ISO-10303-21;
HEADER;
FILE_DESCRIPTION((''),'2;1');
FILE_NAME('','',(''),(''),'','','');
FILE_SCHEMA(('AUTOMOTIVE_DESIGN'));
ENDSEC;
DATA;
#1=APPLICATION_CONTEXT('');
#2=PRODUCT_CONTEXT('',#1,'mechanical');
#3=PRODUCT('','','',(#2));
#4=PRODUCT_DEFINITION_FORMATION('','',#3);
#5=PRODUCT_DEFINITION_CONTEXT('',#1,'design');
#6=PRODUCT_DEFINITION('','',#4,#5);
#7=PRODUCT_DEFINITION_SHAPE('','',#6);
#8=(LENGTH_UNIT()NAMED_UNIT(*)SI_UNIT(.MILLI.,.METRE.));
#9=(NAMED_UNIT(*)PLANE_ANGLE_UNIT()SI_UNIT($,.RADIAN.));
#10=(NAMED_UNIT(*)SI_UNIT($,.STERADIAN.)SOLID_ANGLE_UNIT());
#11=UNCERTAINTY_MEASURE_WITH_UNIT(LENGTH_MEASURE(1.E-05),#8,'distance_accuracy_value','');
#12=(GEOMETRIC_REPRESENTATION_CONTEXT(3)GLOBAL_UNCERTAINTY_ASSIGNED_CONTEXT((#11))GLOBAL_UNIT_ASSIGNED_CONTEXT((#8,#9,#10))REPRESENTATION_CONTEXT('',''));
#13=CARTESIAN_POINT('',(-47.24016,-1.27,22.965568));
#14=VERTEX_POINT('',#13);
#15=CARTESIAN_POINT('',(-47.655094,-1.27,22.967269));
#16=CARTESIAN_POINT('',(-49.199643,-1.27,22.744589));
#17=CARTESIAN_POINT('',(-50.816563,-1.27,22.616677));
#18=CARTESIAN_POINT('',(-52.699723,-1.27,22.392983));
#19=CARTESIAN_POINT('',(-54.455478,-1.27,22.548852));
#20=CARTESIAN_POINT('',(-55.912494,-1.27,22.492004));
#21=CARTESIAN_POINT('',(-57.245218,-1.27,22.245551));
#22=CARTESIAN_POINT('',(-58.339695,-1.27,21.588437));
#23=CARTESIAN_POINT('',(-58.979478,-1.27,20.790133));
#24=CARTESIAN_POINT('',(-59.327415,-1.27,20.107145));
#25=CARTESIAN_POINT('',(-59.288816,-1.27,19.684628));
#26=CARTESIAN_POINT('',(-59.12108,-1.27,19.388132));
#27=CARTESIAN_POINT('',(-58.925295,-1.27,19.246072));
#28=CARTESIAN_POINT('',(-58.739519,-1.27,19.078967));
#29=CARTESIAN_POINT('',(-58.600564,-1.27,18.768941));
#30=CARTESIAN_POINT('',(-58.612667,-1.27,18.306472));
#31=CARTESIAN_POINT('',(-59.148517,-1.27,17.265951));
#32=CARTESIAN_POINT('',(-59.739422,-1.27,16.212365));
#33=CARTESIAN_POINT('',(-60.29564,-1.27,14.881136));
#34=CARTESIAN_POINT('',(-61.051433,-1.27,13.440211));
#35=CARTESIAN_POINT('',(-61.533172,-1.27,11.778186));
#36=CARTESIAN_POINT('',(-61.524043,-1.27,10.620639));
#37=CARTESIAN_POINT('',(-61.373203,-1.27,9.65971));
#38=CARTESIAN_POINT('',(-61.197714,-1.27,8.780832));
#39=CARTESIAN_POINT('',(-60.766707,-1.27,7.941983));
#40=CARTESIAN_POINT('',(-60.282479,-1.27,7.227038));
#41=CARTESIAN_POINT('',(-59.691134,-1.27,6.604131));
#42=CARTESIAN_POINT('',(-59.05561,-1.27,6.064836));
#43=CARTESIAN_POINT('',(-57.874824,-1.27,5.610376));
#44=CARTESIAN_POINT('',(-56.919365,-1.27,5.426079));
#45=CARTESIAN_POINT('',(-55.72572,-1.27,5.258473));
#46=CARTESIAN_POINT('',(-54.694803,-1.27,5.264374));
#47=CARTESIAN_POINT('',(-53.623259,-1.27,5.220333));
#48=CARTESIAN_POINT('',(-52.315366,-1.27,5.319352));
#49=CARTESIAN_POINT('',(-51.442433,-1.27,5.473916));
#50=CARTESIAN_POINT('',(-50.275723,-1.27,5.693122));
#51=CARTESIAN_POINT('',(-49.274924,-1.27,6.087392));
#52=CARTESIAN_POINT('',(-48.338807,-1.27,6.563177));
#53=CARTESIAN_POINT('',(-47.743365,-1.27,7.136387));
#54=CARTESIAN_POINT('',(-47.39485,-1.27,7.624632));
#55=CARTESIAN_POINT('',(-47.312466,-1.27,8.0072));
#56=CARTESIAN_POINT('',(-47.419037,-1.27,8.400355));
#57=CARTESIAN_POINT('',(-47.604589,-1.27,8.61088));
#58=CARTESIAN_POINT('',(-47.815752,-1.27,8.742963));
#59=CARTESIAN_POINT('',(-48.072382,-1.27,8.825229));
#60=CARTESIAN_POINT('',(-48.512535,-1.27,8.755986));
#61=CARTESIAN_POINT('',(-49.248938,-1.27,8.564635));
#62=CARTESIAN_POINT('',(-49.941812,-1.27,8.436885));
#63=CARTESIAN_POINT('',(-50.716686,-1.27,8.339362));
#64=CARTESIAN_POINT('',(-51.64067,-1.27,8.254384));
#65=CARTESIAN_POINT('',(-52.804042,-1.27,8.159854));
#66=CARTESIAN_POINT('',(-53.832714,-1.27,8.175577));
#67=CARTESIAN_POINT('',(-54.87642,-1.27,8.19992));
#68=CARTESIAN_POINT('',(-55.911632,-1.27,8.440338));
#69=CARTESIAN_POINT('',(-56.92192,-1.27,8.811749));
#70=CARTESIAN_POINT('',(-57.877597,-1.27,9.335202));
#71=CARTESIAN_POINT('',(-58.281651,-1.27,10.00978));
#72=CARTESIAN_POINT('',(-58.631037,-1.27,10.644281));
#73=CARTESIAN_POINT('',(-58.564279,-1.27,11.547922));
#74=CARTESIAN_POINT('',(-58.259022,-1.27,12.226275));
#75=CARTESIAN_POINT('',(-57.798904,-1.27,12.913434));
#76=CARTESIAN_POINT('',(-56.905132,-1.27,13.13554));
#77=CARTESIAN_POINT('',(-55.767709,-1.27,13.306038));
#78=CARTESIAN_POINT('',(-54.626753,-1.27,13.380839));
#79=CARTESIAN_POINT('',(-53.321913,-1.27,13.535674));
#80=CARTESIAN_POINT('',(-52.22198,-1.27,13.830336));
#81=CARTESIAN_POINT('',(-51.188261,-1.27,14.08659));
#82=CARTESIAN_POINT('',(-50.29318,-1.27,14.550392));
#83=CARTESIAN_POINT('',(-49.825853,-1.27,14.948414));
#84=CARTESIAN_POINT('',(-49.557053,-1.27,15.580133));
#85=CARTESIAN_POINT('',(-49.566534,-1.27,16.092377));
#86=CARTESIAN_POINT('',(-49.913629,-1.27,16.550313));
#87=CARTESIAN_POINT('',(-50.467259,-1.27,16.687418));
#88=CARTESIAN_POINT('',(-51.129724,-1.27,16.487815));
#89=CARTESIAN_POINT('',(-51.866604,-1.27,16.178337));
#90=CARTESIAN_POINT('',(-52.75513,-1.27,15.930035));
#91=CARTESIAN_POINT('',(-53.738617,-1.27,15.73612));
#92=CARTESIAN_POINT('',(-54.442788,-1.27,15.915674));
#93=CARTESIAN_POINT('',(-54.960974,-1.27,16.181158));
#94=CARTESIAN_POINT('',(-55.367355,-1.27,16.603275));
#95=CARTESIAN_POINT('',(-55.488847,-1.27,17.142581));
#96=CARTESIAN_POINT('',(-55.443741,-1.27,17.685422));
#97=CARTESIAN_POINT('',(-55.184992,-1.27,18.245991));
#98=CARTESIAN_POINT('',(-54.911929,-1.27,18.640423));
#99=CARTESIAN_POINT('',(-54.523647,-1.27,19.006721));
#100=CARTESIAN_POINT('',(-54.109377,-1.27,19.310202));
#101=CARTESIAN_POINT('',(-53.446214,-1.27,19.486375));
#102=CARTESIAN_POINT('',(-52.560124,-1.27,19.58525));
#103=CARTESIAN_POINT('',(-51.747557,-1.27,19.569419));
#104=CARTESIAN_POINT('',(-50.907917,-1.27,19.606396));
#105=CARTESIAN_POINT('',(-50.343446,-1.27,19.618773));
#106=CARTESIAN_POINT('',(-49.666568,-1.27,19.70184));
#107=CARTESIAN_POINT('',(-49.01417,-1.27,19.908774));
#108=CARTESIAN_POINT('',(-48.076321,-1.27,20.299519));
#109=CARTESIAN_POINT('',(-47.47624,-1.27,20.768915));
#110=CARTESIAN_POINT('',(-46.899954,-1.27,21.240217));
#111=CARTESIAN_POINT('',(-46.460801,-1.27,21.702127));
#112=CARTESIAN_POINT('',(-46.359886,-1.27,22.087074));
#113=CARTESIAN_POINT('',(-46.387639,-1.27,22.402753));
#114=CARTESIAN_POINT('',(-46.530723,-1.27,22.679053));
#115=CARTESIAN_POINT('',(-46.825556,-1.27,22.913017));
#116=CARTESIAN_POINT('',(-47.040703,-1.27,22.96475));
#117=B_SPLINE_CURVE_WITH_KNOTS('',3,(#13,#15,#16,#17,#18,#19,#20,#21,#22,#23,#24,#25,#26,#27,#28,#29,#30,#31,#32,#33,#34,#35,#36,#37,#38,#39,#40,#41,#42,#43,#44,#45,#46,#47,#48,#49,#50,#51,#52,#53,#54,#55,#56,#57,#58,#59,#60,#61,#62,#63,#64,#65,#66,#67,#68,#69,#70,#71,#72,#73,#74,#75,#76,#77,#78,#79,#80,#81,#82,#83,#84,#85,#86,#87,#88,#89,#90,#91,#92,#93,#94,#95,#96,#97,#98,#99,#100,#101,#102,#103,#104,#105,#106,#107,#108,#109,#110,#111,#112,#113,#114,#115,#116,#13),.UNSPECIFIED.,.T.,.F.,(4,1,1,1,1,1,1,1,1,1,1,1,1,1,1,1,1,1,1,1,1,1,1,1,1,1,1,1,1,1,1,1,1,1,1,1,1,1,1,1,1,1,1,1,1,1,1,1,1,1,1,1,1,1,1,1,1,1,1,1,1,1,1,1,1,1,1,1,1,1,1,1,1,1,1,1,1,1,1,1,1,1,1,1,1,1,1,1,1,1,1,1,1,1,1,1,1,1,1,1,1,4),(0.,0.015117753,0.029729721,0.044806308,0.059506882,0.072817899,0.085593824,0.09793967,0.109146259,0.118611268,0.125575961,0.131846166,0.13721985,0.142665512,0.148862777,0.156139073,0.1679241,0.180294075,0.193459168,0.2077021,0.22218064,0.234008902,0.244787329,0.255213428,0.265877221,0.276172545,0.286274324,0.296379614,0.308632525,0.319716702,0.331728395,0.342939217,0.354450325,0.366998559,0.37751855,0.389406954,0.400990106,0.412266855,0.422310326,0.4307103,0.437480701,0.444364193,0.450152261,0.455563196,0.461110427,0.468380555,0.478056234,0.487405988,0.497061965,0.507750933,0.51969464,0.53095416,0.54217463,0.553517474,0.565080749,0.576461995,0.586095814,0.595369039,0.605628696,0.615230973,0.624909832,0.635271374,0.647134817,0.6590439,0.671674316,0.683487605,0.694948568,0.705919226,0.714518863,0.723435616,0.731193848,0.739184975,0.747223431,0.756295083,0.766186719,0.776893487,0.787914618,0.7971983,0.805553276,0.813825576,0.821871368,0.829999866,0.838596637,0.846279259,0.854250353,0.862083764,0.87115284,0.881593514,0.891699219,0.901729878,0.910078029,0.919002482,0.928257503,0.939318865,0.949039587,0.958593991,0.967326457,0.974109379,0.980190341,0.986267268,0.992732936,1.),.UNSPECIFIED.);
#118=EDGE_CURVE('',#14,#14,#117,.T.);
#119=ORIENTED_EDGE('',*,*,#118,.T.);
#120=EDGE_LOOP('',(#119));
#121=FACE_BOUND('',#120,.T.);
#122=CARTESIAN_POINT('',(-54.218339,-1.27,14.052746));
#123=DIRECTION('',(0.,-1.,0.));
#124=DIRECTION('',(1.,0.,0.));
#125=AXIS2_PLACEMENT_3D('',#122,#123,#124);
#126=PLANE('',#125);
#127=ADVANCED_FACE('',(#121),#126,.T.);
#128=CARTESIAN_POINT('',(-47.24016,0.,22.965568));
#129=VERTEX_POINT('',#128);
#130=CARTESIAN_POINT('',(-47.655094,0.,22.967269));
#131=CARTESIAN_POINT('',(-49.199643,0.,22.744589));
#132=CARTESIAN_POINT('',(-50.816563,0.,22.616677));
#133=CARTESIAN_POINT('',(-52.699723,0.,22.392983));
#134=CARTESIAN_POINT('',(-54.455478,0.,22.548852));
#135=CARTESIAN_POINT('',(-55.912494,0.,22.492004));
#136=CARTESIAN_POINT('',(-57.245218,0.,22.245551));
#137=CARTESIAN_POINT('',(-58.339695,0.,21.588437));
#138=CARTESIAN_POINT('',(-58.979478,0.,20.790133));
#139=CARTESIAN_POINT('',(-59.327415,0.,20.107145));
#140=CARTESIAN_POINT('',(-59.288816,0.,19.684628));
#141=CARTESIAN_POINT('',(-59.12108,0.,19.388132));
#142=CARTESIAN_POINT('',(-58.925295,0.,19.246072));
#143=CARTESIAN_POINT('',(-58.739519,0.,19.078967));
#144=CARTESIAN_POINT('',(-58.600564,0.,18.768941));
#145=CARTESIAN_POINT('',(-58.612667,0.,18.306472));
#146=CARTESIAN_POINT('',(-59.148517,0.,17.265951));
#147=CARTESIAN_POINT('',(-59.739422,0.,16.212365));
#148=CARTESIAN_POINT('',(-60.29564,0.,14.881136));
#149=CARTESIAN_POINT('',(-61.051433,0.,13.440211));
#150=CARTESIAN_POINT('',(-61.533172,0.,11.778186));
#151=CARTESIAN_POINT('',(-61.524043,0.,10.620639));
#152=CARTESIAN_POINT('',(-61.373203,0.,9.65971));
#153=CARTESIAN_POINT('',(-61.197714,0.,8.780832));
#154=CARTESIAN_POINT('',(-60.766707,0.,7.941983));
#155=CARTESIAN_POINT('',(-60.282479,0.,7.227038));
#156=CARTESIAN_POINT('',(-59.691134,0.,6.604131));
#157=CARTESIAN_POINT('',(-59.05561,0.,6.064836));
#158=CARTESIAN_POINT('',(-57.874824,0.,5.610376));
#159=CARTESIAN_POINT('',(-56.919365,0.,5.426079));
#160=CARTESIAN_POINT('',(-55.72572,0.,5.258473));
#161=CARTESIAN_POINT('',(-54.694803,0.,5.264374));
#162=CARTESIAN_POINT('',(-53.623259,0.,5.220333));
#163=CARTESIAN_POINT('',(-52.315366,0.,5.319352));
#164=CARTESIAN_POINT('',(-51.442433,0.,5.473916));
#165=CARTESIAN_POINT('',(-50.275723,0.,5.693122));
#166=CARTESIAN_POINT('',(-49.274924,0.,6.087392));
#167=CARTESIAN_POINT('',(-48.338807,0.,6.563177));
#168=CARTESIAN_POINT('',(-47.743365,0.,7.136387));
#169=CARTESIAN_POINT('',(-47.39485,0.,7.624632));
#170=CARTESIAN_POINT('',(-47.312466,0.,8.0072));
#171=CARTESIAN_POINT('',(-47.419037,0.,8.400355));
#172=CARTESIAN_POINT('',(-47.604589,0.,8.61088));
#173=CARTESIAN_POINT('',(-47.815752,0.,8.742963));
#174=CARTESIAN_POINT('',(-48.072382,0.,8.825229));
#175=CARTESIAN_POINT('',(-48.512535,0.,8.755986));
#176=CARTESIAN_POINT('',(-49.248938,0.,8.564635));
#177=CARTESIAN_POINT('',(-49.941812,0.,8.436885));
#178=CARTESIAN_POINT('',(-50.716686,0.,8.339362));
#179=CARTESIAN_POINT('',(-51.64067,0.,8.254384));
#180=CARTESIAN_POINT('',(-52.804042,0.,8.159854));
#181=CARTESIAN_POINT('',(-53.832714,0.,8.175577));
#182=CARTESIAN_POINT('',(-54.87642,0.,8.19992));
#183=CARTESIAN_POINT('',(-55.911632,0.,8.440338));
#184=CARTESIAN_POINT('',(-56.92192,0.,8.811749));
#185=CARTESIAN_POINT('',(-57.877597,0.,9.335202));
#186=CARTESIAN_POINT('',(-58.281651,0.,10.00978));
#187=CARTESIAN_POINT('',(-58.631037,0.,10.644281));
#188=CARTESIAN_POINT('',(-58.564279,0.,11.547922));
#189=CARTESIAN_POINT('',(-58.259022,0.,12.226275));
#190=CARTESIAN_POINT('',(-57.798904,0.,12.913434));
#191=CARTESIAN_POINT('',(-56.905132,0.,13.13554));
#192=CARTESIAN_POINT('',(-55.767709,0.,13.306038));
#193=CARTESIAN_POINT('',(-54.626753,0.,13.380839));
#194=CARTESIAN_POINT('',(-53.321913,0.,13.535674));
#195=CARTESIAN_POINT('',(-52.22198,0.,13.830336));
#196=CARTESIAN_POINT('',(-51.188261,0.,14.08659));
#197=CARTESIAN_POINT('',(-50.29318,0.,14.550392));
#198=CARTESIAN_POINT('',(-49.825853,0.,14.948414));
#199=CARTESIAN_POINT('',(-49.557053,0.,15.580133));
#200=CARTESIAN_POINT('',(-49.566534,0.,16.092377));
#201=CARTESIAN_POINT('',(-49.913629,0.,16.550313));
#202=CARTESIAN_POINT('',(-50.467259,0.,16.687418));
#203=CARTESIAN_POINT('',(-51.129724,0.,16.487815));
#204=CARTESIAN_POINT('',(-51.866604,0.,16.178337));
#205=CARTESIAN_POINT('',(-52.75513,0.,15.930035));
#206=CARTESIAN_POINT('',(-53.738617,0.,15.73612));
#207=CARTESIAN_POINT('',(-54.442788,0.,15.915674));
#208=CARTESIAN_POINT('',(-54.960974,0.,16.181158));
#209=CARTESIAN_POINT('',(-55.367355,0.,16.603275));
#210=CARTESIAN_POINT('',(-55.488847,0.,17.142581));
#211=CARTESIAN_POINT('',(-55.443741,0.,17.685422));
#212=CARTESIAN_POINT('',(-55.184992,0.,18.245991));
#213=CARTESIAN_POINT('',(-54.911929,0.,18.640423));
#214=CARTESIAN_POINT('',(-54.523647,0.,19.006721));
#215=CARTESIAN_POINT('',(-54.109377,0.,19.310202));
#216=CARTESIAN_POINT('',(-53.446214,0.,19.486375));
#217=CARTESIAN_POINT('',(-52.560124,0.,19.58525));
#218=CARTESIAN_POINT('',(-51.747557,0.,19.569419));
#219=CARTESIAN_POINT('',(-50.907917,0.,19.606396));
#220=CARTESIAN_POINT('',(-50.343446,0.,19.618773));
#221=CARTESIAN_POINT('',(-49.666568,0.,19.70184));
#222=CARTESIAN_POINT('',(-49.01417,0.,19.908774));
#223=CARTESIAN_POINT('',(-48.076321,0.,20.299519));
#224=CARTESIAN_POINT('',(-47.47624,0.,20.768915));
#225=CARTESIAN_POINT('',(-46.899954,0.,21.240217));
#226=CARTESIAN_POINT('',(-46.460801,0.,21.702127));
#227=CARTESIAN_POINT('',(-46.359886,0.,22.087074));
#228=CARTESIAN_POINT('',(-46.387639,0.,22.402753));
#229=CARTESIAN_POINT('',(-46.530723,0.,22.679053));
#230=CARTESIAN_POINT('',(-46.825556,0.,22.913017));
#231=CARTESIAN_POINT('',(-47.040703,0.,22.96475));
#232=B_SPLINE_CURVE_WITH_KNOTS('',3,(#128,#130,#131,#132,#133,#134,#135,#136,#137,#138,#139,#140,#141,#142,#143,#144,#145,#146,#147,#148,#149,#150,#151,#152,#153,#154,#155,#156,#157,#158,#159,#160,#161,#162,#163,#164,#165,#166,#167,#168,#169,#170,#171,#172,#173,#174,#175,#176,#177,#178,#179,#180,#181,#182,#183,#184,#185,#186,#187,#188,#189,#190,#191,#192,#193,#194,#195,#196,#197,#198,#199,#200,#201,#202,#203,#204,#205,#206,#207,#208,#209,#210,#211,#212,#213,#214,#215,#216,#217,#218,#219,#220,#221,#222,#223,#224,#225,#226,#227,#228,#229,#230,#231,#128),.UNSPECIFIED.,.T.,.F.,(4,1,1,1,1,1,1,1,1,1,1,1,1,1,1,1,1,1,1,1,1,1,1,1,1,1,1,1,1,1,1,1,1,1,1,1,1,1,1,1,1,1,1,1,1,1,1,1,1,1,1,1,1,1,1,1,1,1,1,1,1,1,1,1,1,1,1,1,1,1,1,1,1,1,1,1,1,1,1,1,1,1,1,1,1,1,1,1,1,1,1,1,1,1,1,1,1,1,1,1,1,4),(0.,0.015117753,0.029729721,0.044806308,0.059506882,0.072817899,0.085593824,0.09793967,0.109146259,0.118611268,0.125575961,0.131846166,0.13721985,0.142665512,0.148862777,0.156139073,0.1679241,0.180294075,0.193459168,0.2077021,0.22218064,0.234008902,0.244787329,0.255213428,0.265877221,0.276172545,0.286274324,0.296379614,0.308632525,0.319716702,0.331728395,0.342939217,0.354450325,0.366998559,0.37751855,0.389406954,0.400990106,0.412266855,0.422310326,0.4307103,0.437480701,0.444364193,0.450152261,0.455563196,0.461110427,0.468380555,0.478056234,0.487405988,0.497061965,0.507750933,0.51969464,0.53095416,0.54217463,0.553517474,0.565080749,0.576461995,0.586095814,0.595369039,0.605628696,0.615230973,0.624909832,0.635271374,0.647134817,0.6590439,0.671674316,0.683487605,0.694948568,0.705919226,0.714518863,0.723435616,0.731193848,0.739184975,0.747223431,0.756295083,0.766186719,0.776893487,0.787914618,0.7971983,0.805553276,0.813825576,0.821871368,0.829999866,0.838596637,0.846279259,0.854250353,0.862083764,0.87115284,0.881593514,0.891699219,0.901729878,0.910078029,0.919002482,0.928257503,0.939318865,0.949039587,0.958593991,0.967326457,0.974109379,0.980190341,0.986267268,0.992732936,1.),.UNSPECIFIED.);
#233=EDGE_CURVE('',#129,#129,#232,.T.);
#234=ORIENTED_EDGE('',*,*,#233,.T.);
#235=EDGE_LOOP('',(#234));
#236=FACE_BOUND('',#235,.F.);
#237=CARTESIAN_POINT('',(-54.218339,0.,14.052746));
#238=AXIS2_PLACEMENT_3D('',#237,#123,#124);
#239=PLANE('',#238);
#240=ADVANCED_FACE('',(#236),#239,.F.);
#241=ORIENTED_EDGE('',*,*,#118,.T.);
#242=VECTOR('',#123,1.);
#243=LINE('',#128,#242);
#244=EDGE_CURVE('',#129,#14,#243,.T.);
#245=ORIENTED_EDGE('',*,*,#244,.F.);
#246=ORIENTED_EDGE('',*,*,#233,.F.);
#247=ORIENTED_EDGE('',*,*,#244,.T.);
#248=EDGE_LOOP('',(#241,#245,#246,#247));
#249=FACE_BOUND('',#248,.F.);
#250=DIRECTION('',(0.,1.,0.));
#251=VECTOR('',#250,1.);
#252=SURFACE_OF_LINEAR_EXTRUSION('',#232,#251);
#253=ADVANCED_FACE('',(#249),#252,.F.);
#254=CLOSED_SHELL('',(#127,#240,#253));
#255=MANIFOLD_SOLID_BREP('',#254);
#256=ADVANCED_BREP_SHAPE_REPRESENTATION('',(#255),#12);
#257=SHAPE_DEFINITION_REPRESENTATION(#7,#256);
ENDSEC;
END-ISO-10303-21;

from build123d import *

# Parameters (mm, degrees)
F1_DEPTH = 1.27


with BuildPart() as f1:
    # F0 (on Front) → F1 (new body)
    with BuildSketch(Plane.XZ):
        with BuildLine():
            add(Edge.make_bspline(
                [(-47.2401604219, 22.965567747), (-47.6550940449, 22.967268888), (-49.1996426348, 22.744588865), (-50.8165627655, 22.6166768439), (-52.6997228806, 22.3929831832), (-54.4554778296, 22.5488516689), (-55.9124942793, 22.492003585), (-57.2452184538, 22.2455506861), (-58.3396950133, 21.5884368011), (-58.9794783621, 20.7901330569), (-59.3274150514, 20.1071452495), (-59.2888155766, 19.6846277549), (-59.1210802751, 19.3881320898), (-58.9252947762, 19.2460715324), (-58.739519486, 19.0789668749), (-58.6005636835, 18.7689413805), (-58.6126669392, 18.3064716014), (-59.1485165008, 17.265951194), (-59.7394217449, 16.2123647993), (-60.2956400074, 14.8811364162), (-61.0514328173, 13.4402105211), (-61.5331717594, 11.7781862896), (-61.524042629, 10.6206386432), (-61.3732034884, 9.6597098807), (-61.1977139156, 8.7808321934), (-60.7667067221, 7.941983313), (-60.2824792843, 7.2270384536), (-59.6911340788, 6.6041314818), (-59.0556101101, 6.0648364311), (-57.8748236814, 5.6103764721), (-56.919364948, 5.4260787156), (-55.7257202599, 5.2584732766), (-54.6948031123, 5.2643738853), (-53.6232591992, 5.2203333998), (-52.3153656395, 5.3193524267), (-51.4424331326, 5.4739164491), (-50.2757226739, 5.693121726), (-49.2749235776, 6.0873924385), (-48.3388065182, 6.5631767408), (-47.743365256, 7.1363872512), (-47.3948503483, 7.6246321721), (-47.3124657003, 8.00719989), (-47.4190369849, 8.4003548189), (-47.6045889223, 8.6108799127), (-47.815752145, 8.7429631121), (-48.0723819233, 8.8252285482), (-48.5125353115, 8.7559860544), (-49.2489380992, 8.5646347101), (-49.9418121568, 8.4368849289), (-50.7166856337, 8.3393618918), (-51.6406696827, 8.2543843725), (-52.8040421836, 8.1598539114), (-53.8327144056, 8.1755770387), (-54.8764201903, 8.1999204351), (-55.9116318926, 8.4403379694), (-56.9219197938, 8.8117490615), (-57.8775968725, 9.3352016499), (-58.2816508556, 10.0097801885), (-58.6310371533, 10.6442808232), (-58.5642794303, 11.54792171), (-58.2590224417, 12.2262749591), (-57.7989041542, 12.9134341261), (-56.9051323837, 13.135540297), (-55.7677088758, 13.3060381934), (-54.6267527811, 13.3808385125), (-53.3219126061, 13.5356735396), (-52.221980277, 13.830335631), (-51.1882609522, 14.0865904757), (-50.2931795256, 14.5503924608), (-49.8258530206, 14.9484136319), (-49.557052845, 15.5801333943), (-49.5665344161, 16.0923765285), (-49.9136293744, 16.550312614), (-50.4672593335, 16.6874180948), (-51.1297244523, 16.4878145383), (-51.8666038771, 16.1783373535), (-52.7551301508, 15.9300351496), (-53.7386170844, 15.7361198747), (-54.4427879462, 15.9156736411), (-54.9609744646, 16.1811584239), (-55.3673547748, 16.6032751906), (-55.488846953, 17.1425810354), (-55.4437411257, 17.6854219707), (-55.1849924129, 18.245990696), (-54.9119286211, 18.6404232905), (-54.5236472846, 19.0067209529), (-54.1093771162, 19.3102017874), (-53.4462138986, 19.486375254), (-52.5601240188, 19.5852503216), (-51.7475571011, 19.5694187958), (-50.9079169168, 19.6063961484), (-50.3434457394, 19.6187727997), (-49.6665684101, 19.701840093), (-49.0141695988, 19.9087737006), (-48.0763209465, 20.299519068), (-47.4762400406, 20.768914873), (-46.8999536308, 21.2402174547), (-46.4608009767, 21.7021273127), (-46.359885745, 22.0870737508), (-46.3876388372, 22.4027525541), (-46.5307234388, 22.6790533403), (-46.8255563751, 22.9130172771), (-47.040702912, 22.964750013), (-47.2401604219, 22.965567747)],
                knots=[0, 0, 0, 0, 0.0151177527, 0.0297297209, 0.0448063075, 0.0595068825, 0.0728178993, 0.0855938242, 0.0979396699, 0.1091462591, 0.1186112683, 0.1255759615, 0.1318461663, 0.1372198497, 0.1426655115, 0.1488627774, 0.1561390734, 0.1679241001, 0.1802940746, 0.1934591679, 0.2077021, 0.2221806397, 0.234008902, 0.2447873293, 0.2552134276, 0.2658772205, 0.276172545, 0.2862743236, 0.2963796141, 0.3086325245, 0.3197167024, 0.3317283953, 0.3429392166, 0.354450325, 0.3669985586, 0.3775185495, 0.3894069542, 0.4009901062, 0.4122668547, 0.4223103265, 0.4307103002, 0.4374807014, 0.4443641929, 0.4501522613, 0.4555631956, 0.4611104275, 0.4683805553, 0.478056234, 0.4874059877, 0.4970619653, 0.5077509331, 0.5196946401, 0.5309541595, 0.5421746297, 0.5535174741, 0.5650807489, 0.5764619945, 0.5860958136, 0.5953690392, 0.6056286964, 0.6152309731, 0.6249098325, 0.6352713739, 0.6471348167, 0.6590439005, 0.6716743164, 0.6834876052, 0.6949485685, 0.7059192264, 0.7145188629, 0.7234356165, 0.7311938477, 0.7391849753, 0.7472234307, 0.7562950833, 0.766186719, 0.7768934869, 0.7879146179, 0.7971982997, 0.8055532759, 0.8138255757, 0.8218713677, 0.8299998661, 0.8385966371, 0.846279259, 0.8542503525, 0.8620837643, 0.8711528403, 0.881593514, 0.8916992193, 0.9017298782, 0.9100780289, 0.9190024818, 0.9282575033, 0.9393188651, 0.9490395875, 0.9585939913, 0.9673264565, 0.9741093789, 0.9801903415, 0.9862672684, 0.9927329357, 1, 1, 1, 1], degree=3))
        make_face()
    extrude(amount=F1_DEPTH)


solid = f1.part
